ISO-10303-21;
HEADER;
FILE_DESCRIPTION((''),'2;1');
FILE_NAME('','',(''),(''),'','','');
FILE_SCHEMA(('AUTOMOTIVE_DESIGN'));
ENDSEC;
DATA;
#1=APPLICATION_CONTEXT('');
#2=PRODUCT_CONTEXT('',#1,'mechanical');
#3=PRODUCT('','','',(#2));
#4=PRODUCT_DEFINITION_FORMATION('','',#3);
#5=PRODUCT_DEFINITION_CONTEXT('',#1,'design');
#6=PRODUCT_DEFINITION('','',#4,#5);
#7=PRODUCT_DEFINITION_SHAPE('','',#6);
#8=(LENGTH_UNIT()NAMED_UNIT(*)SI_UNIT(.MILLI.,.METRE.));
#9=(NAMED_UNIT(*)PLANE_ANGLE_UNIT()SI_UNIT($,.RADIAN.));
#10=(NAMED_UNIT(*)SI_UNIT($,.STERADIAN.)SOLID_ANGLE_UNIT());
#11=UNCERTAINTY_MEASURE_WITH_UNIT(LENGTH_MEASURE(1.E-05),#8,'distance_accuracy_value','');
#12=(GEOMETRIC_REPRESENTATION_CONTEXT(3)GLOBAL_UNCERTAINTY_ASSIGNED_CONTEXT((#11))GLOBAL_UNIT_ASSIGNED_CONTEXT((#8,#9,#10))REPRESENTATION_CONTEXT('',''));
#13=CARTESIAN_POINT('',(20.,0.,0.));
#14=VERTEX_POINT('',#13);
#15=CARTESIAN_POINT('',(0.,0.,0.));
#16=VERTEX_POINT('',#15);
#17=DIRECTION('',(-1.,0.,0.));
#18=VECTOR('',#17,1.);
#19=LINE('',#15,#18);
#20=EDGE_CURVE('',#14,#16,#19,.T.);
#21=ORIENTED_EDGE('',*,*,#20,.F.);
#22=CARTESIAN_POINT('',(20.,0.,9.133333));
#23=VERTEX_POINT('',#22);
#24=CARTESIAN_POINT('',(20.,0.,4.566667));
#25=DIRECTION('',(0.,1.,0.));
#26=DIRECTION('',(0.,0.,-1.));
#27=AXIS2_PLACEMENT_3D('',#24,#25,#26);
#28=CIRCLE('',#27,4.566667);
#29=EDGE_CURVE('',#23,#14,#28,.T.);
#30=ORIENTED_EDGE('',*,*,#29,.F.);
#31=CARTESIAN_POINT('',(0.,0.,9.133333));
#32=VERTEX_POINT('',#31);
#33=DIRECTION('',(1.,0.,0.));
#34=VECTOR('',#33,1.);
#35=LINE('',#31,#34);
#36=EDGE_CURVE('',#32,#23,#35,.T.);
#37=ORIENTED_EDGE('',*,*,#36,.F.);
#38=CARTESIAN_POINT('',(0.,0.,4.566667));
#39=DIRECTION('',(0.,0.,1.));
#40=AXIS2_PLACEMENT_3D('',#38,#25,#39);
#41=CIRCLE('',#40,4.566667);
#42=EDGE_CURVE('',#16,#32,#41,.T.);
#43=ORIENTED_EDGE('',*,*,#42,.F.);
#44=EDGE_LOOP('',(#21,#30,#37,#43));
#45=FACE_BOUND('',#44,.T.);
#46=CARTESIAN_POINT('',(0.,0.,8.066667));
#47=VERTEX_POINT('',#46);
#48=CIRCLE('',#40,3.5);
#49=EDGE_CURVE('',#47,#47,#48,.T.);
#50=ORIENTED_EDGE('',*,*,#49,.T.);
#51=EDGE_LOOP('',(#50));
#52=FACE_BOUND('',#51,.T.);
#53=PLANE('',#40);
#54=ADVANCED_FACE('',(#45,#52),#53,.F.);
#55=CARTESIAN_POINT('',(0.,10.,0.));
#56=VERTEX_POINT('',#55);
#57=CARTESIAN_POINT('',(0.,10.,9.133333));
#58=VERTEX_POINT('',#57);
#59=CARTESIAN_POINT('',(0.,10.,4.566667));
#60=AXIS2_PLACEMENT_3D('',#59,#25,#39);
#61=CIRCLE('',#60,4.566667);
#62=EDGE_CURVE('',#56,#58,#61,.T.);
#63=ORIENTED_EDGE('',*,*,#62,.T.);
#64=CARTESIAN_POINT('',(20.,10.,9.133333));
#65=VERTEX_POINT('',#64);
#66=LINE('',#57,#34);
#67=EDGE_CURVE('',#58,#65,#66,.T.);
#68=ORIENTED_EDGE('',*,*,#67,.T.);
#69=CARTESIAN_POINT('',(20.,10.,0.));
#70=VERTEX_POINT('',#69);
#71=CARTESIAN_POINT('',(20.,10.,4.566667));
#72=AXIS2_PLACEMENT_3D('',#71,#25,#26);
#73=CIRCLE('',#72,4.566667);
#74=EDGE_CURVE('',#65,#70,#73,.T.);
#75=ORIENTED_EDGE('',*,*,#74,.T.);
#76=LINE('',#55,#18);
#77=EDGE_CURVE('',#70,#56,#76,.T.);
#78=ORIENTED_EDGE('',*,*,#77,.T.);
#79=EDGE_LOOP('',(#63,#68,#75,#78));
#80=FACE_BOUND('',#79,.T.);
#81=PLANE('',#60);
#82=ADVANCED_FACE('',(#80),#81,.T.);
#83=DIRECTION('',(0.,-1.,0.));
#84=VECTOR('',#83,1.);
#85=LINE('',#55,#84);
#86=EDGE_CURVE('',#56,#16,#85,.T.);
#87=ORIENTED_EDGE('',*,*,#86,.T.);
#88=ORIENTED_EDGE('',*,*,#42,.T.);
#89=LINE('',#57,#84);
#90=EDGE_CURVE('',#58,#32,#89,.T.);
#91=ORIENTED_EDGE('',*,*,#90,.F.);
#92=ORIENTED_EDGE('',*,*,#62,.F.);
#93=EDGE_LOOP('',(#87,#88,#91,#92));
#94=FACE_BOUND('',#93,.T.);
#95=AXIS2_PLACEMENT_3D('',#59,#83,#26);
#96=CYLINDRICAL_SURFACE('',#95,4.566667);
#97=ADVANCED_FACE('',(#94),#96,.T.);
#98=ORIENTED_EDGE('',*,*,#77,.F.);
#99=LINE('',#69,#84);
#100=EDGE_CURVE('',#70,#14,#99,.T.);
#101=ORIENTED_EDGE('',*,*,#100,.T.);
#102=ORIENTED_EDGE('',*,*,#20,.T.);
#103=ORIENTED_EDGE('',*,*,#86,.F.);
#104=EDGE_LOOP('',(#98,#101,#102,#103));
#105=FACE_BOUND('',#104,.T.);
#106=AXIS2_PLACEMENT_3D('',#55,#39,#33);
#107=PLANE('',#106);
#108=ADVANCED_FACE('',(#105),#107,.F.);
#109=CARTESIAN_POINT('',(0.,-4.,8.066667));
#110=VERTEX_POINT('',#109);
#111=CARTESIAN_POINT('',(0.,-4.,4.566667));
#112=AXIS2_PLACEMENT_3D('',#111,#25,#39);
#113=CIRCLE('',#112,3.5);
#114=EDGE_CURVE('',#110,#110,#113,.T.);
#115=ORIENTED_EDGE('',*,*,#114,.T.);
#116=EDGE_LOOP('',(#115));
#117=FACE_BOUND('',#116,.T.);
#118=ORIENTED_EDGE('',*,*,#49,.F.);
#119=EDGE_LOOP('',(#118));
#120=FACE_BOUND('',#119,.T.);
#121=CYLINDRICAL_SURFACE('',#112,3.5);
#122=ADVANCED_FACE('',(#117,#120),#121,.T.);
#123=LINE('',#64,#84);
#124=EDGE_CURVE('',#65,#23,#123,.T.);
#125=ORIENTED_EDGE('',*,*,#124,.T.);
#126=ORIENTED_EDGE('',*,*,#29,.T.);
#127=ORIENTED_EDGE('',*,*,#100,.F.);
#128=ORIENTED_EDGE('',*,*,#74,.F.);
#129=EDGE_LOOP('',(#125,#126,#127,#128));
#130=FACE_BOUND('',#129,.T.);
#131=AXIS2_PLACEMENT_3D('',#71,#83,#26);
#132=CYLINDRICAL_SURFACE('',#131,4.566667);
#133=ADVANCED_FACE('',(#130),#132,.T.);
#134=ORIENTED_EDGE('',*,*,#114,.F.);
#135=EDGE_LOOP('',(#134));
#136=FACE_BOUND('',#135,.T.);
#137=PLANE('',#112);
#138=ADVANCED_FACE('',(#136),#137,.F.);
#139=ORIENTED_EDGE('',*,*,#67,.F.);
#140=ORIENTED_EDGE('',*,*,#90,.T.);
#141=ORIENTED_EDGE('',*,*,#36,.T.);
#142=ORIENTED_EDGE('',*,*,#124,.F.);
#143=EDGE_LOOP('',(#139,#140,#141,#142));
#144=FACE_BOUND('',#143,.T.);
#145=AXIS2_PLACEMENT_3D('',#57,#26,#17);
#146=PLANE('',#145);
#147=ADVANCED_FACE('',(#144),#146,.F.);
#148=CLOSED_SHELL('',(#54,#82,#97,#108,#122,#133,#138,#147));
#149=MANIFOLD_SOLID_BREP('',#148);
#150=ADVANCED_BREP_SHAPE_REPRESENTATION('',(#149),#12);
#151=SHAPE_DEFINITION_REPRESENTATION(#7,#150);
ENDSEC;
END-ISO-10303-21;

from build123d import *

# Parameters (mm, degrees)
RESSALTO_EXTRUS_O1_DEPTH = 10
ESBO_O2_R                = 3.5
RESSALTO_EXTRUS_O2_DEPTH = 4


with BuildPart() as part:
    # Esboço1 → Ressalto-extrusão1 (new body)
    with BuildSketch(Plane(origin=(0, 0, 0), x_dir=(1, 0, 0), z_dir=(0, 1, 0))):
        with BuildLine():
            Line((0, 0), (20, 0))
            ThreePointArc((20, 0), (24.566666667, -4.566666667), (20, -9.133333333))
            Line((20, -9.133333333), (0, -9.133333333))
            ThreePointArc((0, -9.133333333), (-4.566666667, -4.566666667), (0, 0))
        make_face()
    extrude(amount=RESSALTO_EXTRUS_O1_DEPTH)

    # Esboço2 → Ressalto-extrusão2 (add)
    with BuildSketch(Plane(origin=(0, 0, 0), x_dir=(1, 0, 0), z_dir=(0, 1, 0))):
        with Locations(Location((0, -4.566666667, 0), (0, 0, 270))):
            Circle(ESBO_O2_R)
    extrude(amount=-RESSALTO_EXTRUS_O2_DEPTH)


solid = part.part
